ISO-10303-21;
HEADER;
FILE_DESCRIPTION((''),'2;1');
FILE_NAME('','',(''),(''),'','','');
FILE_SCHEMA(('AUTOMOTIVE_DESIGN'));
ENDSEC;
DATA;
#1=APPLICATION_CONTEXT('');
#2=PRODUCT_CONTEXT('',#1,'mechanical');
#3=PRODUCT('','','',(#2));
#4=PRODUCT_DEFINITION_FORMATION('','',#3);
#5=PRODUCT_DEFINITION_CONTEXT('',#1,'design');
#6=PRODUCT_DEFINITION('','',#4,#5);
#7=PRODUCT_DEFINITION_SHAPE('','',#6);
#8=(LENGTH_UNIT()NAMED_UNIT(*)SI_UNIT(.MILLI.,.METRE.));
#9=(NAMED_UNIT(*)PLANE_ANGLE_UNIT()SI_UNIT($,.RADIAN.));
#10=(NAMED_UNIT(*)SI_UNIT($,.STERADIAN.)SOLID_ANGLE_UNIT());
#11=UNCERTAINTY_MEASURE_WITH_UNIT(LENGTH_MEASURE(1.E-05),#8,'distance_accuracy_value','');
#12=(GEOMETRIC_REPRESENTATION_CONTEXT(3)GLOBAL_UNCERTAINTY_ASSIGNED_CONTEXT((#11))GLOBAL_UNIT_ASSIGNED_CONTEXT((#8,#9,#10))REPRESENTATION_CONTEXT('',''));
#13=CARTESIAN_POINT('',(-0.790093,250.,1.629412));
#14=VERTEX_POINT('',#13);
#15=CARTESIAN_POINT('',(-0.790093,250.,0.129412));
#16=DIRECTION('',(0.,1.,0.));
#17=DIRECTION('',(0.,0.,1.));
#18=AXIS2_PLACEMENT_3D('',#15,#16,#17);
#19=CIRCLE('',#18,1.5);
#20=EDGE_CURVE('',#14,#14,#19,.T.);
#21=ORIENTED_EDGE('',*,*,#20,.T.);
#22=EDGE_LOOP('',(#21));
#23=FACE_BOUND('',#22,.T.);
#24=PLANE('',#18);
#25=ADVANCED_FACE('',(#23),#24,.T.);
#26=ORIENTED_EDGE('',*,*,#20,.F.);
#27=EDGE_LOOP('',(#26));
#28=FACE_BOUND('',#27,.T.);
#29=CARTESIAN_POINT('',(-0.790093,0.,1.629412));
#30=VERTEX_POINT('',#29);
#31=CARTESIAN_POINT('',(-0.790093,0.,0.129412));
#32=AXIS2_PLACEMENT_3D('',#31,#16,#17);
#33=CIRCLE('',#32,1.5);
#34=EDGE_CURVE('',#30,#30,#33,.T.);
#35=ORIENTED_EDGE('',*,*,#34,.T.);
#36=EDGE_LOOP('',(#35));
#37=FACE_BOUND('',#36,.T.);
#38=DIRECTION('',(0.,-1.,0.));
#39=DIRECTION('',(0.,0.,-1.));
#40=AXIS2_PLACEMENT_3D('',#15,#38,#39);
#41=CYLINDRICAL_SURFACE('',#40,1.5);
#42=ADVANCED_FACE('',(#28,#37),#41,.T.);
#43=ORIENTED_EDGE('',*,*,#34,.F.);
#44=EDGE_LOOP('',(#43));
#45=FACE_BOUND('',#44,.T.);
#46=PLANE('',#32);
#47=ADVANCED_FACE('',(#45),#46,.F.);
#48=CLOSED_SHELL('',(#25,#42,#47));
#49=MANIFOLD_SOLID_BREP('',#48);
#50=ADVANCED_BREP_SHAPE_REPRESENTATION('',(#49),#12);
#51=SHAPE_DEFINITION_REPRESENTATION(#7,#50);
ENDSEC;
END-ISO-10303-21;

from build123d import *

# Parameters (mm, degrees)
SKETCH_1_R      = 1.5
EXTRUDE_1_DEPTH = 250


with BuildPart() as part:
    # 草图1 → 凸台-拉伸1 (new body)
    with BuildSketch(Plane(origin=(0, 0, 0), x_dir=(1, 0, 0), z_dir=(0, 1, 0))):
        with Locations(Location((-0.7900933, -0.129411834, 0), (0, 0, 270))):
            Circle(SKETCH_1_R)
    extrude(amount=EXTRUDE_1_DEPTH)


solid = part.part
